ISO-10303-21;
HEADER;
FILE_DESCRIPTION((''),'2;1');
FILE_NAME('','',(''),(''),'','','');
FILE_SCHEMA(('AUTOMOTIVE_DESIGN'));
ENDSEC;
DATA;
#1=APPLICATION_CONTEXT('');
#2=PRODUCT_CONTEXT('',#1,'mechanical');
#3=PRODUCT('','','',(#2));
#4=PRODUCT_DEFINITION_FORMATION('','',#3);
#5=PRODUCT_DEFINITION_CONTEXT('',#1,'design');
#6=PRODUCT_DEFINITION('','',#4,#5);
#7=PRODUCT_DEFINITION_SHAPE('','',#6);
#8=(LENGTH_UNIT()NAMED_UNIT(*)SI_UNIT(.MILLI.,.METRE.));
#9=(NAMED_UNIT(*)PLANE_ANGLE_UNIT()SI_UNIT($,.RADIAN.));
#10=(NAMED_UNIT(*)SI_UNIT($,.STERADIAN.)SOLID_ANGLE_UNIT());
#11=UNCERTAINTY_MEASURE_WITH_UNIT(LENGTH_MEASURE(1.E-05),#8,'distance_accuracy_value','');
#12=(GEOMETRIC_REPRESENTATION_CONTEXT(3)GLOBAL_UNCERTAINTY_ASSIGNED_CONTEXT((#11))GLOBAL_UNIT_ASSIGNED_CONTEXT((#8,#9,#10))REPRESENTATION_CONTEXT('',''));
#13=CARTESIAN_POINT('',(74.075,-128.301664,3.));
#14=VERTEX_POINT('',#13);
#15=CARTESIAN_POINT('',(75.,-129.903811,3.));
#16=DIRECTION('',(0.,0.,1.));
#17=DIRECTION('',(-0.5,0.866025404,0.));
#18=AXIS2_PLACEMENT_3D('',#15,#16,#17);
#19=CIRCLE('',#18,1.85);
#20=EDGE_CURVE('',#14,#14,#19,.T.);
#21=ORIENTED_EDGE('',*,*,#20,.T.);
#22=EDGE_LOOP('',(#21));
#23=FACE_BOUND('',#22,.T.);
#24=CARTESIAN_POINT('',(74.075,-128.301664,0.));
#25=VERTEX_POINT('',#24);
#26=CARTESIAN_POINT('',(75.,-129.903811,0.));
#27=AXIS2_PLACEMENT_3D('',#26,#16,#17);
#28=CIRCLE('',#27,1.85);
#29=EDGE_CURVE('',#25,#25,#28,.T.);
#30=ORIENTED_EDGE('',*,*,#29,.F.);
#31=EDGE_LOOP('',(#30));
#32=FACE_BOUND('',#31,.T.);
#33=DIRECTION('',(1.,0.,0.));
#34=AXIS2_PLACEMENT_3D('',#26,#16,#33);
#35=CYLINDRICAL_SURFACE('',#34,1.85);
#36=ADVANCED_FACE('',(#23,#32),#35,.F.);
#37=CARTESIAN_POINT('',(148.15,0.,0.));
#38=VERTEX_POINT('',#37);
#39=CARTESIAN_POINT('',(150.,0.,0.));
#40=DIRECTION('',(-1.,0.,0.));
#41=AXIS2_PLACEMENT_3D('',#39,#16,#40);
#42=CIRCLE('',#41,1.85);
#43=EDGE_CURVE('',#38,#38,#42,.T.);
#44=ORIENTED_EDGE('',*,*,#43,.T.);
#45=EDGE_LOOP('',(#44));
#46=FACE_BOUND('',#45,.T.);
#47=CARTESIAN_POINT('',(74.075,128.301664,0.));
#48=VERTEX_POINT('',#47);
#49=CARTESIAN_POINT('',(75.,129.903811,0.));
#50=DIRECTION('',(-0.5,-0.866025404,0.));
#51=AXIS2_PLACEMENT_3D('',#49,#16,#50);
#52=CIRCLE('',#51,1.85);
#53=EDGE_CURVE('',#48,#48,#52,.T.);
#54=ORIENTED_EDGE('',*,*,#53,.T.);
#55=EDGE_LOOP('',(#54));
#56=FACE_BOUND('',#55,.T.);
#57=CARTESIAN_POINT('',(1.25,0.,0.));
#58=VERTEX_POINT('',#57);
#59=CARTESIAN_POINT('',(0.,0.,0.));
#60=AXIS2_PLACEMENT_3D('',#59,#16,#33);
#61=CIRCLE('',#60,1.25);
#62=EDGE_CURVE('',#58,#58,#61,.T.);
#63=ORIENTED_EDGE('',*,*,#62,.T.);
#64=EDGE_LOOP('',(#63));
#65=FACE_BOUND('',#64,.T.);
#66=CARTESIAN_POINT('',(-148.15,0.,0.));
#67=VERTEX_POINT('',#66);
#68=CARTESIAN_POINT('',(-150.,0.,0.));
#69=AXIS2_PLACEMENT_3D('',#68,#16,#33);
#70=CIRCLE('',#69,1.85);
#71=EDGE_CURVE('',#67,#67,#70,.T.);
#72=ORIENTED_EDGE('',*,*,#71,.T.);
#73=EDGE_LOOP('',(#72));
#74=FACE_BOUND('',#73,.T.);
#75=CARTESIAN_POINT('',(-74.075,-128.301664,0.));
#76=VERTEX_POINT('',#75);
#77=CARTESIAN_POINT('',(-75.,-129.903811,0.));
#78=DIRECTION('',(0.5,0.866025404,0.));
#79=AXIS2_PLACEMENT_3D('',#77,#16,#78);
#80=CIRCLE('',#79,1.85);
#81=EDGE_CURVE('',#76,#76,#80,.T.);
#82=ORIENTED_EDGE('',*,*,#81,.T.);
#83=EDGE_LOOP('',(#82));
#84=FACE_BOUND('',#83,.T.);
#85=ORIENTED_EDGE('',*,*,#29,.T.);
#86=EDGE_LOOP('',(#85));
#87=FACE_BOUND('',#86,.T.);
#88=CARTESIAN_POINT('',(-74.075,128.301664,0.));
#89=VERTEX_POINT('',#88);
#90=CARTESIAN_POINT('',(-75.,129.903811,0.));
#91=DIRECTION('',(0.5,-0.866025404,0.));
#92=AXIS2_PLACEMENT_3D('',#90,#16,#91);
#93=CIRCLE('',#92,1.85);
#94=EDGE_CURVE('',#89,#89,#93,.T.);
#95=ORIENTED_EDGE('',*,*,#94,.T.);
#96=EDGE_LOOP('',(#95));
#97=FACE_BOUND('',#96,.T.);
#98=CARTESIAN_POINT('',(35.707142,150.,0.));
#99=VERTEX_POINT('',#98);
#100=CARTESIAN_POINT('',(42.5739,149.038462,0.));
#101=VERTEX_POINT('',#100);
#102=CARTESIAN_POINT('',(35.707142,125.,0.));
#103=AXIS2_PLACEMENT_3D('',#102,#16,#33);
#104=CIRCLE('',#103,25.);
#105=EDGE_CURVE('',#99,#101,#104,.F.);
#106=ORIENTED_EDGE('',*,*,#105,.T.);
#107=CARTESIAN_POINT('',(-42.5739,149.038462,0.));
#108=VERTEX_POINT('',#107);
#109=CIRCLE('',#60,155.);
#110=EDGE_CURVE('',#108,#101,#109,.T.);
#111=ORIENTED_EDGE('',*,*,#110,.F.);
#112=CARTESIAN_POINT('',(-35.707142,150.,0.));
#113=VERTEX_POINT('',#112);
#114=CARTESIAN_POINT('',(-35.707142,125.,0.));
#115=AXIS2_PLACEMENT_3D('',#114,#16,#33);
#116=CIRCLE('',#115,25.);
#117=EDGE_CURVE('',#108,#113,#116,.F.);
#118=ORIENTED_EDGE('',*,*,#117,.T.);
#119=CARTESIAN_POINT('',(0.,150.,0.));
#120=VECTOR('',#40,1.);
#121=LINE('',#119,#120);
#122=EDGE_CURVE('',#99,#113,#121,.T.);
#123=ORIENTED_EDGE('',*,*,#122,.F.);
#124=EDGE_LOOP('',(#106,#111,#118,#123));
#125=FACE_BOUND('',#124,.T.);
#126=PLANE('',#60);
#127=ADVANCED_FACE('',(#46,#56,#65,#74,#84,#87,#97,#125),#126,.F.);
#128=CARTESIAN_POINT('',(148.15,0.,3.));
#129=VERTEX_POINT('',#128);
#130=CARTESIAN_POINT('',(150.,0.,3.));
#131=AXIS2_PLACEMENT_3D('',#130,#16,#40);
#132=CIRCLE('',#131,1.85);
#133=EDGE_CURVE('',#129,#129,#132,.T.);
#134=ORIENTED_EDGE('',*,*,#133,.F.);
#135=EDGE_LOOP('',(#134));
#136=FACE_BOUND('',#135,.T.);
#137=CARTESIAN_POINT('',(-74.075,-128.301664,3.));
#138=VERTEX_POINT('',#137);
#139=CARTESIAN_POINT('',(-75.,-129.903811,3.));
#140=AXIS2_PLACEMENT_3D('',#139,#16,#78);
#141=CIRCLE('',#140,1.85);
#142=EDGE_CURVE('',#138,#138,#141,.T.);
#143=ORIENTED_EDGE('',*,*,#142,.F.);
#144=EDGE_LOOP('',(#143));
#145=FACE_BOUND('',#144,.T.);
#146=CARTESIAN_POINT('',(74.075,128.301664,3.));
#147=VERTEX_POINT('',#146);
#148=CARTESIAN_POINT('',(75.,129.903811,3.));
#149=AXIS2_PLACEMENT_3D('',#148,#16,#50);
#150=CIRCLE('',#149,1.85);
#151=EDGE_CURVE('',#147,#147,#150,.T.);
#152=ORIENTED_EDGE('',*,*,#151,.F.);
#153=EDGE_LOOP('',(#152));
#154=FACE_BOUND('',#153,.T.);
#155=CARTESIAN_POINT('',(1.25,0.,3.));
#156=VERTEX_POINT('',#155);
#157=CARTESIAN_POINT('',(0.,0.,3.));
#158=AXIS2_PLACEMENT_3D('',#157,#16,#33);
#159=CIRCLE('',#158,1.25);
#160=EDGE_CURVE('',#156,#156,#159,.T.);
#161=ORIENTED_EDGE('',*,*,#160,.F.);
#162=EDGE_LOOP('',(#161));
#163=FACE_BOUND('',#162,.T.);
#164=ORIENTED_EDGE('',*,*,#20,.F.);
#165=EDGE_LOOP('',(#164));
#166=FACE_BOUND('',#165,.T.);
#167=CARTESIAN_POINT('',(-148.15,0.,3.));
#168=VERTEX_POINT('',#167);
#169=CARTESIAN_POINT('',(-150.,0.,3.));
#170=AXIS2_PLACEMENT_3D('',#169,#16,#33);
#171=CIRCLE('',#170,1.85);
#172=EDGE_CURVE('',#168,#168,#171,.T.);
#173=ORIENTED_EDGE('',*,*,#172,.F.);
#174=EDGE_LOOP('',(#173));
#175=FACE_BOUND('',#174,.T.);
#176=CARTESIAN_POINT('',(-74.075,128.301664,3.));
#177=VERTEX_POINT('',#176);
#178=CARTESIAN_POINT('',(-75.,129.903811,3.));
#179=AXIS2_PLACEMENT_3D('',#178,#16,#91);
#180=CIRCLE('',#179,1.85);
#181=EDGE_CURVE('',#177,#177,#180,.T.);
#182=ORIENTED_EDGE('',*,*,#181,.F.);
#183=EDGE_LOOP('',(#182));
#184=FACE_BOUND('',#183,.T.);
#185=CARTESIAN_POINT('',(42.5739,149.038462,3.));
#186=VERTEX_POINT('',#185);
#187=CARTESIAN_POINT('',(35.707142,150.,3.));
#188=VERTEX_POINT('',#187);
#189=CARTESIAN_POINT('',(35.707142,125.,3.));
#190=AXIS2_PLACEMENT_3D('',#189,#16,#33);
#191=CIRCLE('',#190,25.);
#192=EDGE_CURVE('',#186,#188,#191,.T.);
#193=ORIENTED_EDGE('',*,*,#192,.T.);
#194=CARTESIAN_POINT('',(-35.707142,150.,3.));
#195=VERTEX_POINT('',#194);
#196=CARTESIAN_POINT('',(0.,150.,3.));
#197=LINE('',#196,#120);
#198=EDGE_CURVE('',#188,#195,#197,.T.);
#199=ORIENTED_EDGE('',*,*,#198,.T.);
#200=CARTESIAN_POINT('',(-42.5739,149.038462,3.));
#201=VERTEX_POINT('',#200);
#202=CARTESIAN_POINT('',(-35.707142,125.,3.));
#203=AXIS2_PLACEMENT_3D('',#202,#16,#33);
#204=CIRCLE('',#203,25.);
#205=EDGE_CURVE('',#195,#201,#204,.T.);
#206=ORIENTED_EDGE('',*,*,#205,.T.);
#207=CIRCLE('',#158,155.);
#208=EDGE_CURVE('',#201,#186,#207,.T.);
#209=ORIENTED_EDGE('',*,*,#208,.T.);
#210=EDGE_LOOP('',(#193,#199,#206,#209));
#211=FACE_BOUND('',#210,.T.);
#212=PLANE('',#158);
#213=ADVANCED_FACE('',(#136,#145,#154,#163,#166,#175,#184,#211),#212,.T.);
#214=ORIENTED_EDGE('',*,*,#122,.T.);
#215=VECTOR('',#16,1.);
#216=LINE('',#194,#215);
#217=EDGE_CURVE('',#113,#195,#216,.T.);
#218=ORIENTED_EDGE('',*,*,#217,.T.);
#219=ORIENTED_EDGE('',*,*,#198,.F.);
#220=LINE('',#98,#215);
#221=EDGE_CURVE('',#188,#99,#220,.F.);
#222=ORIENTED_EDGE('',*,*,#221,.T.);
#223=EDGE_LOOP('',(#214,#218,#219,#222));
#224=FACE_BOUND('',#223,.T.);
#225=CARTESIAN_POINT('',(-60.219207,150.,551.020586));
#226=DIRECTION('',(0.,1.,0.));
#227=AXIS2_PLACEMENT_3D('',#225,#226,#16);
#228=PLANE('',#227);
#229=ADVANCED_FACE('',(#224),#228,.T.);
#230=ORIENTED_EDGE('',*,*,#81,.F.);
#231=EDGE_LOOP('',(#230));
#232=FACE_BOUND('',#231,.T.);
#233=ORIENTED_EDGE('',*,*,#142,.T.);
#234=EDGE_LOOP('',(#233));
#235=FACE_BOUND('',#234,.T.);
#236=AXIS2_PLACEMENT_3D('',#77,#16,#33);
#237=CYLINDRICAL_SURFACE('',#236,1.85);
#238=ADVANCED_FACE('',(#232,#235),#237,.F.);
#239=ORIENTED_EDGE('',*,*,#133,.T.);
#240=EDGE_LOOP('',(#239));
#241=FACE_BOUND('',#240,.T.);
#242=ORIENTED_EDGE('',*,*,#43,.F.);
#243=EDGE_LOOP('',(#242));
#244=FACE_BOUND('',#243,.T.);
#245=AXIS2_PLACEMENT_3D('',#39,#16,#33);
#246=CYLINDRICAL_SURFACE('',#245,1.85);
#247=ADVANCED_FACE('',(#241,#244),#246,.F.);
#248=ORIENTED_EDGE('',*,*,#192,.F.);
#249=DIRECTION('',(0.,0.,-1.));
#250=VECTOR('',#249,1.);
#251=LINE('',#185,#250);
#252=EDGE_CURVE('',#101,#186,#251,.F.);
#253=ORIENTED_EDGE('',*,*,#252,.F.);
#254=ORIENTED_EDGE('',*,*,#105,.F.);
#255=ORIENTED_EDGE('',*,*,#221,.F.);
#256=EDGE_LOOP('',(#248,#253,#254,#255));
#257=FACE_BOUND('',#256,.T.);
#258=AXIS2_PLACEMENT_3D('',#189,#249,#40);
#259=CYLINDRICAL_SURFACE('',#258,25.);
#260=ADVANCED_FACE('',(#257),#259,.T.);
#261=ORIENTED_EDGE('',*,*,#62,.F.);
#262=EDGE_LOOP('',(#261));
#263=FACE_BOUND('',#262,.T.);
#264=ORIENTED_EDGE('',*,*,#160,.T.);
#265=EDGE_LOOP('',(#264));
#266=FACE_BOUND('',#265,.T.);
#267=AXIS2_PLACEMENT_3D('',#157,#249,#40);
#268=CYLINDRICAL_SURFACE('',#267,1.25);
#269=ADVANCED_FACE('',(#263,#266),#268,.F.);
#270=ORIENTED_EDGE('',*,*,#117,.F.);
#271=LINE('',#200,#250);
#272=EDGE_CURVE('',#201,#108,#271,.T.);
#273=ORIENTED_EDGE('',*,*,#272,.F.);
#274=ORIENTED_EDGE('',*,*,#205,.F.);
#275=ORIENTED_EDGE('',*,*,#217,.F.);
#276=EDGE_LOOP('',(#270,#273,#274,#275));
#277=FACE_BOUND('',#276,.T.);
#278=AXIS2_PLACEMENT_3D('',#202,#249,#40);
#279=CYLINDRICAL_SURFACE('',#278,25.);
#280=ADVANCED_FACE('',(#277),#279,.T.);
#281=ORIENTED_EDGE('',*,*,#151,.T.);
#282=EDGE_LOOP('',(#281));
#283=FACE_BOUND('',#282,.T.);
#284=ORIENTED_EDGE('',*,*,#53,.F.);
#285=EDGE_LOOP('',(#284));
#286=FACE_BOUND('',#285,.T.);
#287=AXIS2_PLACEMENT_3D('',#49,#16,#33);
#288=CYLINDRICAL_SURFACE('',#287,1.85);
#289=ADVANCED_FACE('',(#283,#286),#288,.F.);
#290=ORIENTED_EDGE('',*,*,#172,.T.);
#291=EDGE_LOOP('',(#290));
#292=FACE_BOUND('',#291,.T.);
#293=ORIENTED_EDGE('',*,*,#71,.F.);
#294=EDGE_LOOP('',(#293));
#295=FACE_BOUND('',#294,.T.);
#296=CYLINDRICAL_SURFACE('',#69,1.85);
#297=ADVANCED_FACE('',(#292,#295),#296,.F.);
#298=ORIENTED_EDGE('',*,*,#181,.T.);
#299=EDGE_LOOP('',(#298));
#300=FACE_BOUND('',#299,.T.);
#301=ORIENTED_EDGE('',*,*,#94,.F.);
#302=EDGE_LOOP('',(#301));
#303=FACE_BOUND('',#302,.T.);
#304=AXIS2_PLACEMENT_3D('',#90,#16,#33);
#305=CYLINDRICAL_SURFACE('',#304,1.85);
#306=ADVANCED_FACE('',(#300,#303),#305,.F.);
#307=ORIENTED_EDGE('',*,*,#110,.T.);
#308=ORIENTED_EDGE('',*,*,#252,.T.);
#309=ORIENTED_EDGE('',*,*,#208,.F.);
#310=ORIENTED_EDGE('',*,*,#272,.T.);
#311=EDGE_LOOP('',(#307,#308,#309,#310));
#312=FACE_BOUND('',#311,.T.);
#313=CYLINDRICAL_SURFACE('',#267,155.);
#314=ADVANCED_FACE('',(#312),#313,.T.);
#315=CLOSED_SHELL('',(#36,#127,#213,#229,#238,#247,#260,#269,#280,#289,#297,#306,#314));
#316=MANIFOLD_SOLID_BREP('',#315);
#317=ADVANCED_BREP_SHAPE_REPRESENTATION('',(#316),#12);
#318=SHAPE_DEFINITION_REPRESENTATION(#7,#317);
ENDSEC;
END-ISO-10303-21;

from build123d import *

# Parameters (mm, degrees)
SKETCH1_R               = 155
SKETCH1_R_2             = 1.25
BOSS_EXTRUDE1_DEPTH     = 3
SKETCH2_R               = 1.85
CUT_EXTRUDE1_DEPTH      = 220.223630113
CIRPATTERN1_COUNT       = 6
CUT_EXTRUDE2_DEPTH      = 220.223630113
CUT_EXTRUDE2_DEPTH_BACK = 220.223630113
FILLET1_R               = 25


with BuildPart() as part:
    # Sketch1 → Boss-Extrude1 (new body)
    with BuildSketch(Plane.XY):
        Circle(SKETCH1_R)
        Circle(SKETCH1_R_2, mode=Mode.SUBTRACT)
    extrude(amount=BOSS_EXTRUDE1_DEPTH)

    # Sketch2 → Cut-Extrude1 (cut, through all)
    with BuildSketch(Plane.XY.offset(3)):
        with Locations((-150, 0)):
            Circle(SKETCH2_R)
    cut_extrude1 = extrude(amount=-CUT_EXTRUDE1_DEPTH, mode=Mode.SUBTRACT)

    # CirPattern1: Cut-Extrude1 ×6 about axis
    cirpattern1_axis = Axis((0, 0, 3), (0, 0, 1))
    for i in range(1, CIRPATTERN1_COUNT):
        add(cut_extrude1.rotate(cirpattern1_axis, i * 360 / CIRPATTERN1_COUNT), mode=Mode.SUBTRACT)

    # Sketch18 → Cut-Extrude2 (cut, two sides: drawn at the far end of the back side and taken through both)
    with BuildSketch(Plane.XY.offset(3).offset(-CUT_EXTRUDE2_DEPTH_BACK)):
        Polygon((-816.796213875, 150), (-60.219206673, 150), (46.353365048, 150), (802.93037225, 150), (802.93037225, 1663.154014405), (-816.796213875, 1663.154014405), align=None)
    extrude(amount=CUT_EXTRUDE2_DEPTH + CUT_EXTRUDE2_DEPTH_BACK, mode=Mode.SUBTRACT)

    # Fillet1
    fillet1_edges = [part.edges().sort_by_distance(p)[0] for p in [
        (39.05124838, 150, 1.5),
        (-39.05124838, 150, 1.5),
    ]]
    fillet(fillet1_edges, radius=FILLET1_R)


solid = part.part
